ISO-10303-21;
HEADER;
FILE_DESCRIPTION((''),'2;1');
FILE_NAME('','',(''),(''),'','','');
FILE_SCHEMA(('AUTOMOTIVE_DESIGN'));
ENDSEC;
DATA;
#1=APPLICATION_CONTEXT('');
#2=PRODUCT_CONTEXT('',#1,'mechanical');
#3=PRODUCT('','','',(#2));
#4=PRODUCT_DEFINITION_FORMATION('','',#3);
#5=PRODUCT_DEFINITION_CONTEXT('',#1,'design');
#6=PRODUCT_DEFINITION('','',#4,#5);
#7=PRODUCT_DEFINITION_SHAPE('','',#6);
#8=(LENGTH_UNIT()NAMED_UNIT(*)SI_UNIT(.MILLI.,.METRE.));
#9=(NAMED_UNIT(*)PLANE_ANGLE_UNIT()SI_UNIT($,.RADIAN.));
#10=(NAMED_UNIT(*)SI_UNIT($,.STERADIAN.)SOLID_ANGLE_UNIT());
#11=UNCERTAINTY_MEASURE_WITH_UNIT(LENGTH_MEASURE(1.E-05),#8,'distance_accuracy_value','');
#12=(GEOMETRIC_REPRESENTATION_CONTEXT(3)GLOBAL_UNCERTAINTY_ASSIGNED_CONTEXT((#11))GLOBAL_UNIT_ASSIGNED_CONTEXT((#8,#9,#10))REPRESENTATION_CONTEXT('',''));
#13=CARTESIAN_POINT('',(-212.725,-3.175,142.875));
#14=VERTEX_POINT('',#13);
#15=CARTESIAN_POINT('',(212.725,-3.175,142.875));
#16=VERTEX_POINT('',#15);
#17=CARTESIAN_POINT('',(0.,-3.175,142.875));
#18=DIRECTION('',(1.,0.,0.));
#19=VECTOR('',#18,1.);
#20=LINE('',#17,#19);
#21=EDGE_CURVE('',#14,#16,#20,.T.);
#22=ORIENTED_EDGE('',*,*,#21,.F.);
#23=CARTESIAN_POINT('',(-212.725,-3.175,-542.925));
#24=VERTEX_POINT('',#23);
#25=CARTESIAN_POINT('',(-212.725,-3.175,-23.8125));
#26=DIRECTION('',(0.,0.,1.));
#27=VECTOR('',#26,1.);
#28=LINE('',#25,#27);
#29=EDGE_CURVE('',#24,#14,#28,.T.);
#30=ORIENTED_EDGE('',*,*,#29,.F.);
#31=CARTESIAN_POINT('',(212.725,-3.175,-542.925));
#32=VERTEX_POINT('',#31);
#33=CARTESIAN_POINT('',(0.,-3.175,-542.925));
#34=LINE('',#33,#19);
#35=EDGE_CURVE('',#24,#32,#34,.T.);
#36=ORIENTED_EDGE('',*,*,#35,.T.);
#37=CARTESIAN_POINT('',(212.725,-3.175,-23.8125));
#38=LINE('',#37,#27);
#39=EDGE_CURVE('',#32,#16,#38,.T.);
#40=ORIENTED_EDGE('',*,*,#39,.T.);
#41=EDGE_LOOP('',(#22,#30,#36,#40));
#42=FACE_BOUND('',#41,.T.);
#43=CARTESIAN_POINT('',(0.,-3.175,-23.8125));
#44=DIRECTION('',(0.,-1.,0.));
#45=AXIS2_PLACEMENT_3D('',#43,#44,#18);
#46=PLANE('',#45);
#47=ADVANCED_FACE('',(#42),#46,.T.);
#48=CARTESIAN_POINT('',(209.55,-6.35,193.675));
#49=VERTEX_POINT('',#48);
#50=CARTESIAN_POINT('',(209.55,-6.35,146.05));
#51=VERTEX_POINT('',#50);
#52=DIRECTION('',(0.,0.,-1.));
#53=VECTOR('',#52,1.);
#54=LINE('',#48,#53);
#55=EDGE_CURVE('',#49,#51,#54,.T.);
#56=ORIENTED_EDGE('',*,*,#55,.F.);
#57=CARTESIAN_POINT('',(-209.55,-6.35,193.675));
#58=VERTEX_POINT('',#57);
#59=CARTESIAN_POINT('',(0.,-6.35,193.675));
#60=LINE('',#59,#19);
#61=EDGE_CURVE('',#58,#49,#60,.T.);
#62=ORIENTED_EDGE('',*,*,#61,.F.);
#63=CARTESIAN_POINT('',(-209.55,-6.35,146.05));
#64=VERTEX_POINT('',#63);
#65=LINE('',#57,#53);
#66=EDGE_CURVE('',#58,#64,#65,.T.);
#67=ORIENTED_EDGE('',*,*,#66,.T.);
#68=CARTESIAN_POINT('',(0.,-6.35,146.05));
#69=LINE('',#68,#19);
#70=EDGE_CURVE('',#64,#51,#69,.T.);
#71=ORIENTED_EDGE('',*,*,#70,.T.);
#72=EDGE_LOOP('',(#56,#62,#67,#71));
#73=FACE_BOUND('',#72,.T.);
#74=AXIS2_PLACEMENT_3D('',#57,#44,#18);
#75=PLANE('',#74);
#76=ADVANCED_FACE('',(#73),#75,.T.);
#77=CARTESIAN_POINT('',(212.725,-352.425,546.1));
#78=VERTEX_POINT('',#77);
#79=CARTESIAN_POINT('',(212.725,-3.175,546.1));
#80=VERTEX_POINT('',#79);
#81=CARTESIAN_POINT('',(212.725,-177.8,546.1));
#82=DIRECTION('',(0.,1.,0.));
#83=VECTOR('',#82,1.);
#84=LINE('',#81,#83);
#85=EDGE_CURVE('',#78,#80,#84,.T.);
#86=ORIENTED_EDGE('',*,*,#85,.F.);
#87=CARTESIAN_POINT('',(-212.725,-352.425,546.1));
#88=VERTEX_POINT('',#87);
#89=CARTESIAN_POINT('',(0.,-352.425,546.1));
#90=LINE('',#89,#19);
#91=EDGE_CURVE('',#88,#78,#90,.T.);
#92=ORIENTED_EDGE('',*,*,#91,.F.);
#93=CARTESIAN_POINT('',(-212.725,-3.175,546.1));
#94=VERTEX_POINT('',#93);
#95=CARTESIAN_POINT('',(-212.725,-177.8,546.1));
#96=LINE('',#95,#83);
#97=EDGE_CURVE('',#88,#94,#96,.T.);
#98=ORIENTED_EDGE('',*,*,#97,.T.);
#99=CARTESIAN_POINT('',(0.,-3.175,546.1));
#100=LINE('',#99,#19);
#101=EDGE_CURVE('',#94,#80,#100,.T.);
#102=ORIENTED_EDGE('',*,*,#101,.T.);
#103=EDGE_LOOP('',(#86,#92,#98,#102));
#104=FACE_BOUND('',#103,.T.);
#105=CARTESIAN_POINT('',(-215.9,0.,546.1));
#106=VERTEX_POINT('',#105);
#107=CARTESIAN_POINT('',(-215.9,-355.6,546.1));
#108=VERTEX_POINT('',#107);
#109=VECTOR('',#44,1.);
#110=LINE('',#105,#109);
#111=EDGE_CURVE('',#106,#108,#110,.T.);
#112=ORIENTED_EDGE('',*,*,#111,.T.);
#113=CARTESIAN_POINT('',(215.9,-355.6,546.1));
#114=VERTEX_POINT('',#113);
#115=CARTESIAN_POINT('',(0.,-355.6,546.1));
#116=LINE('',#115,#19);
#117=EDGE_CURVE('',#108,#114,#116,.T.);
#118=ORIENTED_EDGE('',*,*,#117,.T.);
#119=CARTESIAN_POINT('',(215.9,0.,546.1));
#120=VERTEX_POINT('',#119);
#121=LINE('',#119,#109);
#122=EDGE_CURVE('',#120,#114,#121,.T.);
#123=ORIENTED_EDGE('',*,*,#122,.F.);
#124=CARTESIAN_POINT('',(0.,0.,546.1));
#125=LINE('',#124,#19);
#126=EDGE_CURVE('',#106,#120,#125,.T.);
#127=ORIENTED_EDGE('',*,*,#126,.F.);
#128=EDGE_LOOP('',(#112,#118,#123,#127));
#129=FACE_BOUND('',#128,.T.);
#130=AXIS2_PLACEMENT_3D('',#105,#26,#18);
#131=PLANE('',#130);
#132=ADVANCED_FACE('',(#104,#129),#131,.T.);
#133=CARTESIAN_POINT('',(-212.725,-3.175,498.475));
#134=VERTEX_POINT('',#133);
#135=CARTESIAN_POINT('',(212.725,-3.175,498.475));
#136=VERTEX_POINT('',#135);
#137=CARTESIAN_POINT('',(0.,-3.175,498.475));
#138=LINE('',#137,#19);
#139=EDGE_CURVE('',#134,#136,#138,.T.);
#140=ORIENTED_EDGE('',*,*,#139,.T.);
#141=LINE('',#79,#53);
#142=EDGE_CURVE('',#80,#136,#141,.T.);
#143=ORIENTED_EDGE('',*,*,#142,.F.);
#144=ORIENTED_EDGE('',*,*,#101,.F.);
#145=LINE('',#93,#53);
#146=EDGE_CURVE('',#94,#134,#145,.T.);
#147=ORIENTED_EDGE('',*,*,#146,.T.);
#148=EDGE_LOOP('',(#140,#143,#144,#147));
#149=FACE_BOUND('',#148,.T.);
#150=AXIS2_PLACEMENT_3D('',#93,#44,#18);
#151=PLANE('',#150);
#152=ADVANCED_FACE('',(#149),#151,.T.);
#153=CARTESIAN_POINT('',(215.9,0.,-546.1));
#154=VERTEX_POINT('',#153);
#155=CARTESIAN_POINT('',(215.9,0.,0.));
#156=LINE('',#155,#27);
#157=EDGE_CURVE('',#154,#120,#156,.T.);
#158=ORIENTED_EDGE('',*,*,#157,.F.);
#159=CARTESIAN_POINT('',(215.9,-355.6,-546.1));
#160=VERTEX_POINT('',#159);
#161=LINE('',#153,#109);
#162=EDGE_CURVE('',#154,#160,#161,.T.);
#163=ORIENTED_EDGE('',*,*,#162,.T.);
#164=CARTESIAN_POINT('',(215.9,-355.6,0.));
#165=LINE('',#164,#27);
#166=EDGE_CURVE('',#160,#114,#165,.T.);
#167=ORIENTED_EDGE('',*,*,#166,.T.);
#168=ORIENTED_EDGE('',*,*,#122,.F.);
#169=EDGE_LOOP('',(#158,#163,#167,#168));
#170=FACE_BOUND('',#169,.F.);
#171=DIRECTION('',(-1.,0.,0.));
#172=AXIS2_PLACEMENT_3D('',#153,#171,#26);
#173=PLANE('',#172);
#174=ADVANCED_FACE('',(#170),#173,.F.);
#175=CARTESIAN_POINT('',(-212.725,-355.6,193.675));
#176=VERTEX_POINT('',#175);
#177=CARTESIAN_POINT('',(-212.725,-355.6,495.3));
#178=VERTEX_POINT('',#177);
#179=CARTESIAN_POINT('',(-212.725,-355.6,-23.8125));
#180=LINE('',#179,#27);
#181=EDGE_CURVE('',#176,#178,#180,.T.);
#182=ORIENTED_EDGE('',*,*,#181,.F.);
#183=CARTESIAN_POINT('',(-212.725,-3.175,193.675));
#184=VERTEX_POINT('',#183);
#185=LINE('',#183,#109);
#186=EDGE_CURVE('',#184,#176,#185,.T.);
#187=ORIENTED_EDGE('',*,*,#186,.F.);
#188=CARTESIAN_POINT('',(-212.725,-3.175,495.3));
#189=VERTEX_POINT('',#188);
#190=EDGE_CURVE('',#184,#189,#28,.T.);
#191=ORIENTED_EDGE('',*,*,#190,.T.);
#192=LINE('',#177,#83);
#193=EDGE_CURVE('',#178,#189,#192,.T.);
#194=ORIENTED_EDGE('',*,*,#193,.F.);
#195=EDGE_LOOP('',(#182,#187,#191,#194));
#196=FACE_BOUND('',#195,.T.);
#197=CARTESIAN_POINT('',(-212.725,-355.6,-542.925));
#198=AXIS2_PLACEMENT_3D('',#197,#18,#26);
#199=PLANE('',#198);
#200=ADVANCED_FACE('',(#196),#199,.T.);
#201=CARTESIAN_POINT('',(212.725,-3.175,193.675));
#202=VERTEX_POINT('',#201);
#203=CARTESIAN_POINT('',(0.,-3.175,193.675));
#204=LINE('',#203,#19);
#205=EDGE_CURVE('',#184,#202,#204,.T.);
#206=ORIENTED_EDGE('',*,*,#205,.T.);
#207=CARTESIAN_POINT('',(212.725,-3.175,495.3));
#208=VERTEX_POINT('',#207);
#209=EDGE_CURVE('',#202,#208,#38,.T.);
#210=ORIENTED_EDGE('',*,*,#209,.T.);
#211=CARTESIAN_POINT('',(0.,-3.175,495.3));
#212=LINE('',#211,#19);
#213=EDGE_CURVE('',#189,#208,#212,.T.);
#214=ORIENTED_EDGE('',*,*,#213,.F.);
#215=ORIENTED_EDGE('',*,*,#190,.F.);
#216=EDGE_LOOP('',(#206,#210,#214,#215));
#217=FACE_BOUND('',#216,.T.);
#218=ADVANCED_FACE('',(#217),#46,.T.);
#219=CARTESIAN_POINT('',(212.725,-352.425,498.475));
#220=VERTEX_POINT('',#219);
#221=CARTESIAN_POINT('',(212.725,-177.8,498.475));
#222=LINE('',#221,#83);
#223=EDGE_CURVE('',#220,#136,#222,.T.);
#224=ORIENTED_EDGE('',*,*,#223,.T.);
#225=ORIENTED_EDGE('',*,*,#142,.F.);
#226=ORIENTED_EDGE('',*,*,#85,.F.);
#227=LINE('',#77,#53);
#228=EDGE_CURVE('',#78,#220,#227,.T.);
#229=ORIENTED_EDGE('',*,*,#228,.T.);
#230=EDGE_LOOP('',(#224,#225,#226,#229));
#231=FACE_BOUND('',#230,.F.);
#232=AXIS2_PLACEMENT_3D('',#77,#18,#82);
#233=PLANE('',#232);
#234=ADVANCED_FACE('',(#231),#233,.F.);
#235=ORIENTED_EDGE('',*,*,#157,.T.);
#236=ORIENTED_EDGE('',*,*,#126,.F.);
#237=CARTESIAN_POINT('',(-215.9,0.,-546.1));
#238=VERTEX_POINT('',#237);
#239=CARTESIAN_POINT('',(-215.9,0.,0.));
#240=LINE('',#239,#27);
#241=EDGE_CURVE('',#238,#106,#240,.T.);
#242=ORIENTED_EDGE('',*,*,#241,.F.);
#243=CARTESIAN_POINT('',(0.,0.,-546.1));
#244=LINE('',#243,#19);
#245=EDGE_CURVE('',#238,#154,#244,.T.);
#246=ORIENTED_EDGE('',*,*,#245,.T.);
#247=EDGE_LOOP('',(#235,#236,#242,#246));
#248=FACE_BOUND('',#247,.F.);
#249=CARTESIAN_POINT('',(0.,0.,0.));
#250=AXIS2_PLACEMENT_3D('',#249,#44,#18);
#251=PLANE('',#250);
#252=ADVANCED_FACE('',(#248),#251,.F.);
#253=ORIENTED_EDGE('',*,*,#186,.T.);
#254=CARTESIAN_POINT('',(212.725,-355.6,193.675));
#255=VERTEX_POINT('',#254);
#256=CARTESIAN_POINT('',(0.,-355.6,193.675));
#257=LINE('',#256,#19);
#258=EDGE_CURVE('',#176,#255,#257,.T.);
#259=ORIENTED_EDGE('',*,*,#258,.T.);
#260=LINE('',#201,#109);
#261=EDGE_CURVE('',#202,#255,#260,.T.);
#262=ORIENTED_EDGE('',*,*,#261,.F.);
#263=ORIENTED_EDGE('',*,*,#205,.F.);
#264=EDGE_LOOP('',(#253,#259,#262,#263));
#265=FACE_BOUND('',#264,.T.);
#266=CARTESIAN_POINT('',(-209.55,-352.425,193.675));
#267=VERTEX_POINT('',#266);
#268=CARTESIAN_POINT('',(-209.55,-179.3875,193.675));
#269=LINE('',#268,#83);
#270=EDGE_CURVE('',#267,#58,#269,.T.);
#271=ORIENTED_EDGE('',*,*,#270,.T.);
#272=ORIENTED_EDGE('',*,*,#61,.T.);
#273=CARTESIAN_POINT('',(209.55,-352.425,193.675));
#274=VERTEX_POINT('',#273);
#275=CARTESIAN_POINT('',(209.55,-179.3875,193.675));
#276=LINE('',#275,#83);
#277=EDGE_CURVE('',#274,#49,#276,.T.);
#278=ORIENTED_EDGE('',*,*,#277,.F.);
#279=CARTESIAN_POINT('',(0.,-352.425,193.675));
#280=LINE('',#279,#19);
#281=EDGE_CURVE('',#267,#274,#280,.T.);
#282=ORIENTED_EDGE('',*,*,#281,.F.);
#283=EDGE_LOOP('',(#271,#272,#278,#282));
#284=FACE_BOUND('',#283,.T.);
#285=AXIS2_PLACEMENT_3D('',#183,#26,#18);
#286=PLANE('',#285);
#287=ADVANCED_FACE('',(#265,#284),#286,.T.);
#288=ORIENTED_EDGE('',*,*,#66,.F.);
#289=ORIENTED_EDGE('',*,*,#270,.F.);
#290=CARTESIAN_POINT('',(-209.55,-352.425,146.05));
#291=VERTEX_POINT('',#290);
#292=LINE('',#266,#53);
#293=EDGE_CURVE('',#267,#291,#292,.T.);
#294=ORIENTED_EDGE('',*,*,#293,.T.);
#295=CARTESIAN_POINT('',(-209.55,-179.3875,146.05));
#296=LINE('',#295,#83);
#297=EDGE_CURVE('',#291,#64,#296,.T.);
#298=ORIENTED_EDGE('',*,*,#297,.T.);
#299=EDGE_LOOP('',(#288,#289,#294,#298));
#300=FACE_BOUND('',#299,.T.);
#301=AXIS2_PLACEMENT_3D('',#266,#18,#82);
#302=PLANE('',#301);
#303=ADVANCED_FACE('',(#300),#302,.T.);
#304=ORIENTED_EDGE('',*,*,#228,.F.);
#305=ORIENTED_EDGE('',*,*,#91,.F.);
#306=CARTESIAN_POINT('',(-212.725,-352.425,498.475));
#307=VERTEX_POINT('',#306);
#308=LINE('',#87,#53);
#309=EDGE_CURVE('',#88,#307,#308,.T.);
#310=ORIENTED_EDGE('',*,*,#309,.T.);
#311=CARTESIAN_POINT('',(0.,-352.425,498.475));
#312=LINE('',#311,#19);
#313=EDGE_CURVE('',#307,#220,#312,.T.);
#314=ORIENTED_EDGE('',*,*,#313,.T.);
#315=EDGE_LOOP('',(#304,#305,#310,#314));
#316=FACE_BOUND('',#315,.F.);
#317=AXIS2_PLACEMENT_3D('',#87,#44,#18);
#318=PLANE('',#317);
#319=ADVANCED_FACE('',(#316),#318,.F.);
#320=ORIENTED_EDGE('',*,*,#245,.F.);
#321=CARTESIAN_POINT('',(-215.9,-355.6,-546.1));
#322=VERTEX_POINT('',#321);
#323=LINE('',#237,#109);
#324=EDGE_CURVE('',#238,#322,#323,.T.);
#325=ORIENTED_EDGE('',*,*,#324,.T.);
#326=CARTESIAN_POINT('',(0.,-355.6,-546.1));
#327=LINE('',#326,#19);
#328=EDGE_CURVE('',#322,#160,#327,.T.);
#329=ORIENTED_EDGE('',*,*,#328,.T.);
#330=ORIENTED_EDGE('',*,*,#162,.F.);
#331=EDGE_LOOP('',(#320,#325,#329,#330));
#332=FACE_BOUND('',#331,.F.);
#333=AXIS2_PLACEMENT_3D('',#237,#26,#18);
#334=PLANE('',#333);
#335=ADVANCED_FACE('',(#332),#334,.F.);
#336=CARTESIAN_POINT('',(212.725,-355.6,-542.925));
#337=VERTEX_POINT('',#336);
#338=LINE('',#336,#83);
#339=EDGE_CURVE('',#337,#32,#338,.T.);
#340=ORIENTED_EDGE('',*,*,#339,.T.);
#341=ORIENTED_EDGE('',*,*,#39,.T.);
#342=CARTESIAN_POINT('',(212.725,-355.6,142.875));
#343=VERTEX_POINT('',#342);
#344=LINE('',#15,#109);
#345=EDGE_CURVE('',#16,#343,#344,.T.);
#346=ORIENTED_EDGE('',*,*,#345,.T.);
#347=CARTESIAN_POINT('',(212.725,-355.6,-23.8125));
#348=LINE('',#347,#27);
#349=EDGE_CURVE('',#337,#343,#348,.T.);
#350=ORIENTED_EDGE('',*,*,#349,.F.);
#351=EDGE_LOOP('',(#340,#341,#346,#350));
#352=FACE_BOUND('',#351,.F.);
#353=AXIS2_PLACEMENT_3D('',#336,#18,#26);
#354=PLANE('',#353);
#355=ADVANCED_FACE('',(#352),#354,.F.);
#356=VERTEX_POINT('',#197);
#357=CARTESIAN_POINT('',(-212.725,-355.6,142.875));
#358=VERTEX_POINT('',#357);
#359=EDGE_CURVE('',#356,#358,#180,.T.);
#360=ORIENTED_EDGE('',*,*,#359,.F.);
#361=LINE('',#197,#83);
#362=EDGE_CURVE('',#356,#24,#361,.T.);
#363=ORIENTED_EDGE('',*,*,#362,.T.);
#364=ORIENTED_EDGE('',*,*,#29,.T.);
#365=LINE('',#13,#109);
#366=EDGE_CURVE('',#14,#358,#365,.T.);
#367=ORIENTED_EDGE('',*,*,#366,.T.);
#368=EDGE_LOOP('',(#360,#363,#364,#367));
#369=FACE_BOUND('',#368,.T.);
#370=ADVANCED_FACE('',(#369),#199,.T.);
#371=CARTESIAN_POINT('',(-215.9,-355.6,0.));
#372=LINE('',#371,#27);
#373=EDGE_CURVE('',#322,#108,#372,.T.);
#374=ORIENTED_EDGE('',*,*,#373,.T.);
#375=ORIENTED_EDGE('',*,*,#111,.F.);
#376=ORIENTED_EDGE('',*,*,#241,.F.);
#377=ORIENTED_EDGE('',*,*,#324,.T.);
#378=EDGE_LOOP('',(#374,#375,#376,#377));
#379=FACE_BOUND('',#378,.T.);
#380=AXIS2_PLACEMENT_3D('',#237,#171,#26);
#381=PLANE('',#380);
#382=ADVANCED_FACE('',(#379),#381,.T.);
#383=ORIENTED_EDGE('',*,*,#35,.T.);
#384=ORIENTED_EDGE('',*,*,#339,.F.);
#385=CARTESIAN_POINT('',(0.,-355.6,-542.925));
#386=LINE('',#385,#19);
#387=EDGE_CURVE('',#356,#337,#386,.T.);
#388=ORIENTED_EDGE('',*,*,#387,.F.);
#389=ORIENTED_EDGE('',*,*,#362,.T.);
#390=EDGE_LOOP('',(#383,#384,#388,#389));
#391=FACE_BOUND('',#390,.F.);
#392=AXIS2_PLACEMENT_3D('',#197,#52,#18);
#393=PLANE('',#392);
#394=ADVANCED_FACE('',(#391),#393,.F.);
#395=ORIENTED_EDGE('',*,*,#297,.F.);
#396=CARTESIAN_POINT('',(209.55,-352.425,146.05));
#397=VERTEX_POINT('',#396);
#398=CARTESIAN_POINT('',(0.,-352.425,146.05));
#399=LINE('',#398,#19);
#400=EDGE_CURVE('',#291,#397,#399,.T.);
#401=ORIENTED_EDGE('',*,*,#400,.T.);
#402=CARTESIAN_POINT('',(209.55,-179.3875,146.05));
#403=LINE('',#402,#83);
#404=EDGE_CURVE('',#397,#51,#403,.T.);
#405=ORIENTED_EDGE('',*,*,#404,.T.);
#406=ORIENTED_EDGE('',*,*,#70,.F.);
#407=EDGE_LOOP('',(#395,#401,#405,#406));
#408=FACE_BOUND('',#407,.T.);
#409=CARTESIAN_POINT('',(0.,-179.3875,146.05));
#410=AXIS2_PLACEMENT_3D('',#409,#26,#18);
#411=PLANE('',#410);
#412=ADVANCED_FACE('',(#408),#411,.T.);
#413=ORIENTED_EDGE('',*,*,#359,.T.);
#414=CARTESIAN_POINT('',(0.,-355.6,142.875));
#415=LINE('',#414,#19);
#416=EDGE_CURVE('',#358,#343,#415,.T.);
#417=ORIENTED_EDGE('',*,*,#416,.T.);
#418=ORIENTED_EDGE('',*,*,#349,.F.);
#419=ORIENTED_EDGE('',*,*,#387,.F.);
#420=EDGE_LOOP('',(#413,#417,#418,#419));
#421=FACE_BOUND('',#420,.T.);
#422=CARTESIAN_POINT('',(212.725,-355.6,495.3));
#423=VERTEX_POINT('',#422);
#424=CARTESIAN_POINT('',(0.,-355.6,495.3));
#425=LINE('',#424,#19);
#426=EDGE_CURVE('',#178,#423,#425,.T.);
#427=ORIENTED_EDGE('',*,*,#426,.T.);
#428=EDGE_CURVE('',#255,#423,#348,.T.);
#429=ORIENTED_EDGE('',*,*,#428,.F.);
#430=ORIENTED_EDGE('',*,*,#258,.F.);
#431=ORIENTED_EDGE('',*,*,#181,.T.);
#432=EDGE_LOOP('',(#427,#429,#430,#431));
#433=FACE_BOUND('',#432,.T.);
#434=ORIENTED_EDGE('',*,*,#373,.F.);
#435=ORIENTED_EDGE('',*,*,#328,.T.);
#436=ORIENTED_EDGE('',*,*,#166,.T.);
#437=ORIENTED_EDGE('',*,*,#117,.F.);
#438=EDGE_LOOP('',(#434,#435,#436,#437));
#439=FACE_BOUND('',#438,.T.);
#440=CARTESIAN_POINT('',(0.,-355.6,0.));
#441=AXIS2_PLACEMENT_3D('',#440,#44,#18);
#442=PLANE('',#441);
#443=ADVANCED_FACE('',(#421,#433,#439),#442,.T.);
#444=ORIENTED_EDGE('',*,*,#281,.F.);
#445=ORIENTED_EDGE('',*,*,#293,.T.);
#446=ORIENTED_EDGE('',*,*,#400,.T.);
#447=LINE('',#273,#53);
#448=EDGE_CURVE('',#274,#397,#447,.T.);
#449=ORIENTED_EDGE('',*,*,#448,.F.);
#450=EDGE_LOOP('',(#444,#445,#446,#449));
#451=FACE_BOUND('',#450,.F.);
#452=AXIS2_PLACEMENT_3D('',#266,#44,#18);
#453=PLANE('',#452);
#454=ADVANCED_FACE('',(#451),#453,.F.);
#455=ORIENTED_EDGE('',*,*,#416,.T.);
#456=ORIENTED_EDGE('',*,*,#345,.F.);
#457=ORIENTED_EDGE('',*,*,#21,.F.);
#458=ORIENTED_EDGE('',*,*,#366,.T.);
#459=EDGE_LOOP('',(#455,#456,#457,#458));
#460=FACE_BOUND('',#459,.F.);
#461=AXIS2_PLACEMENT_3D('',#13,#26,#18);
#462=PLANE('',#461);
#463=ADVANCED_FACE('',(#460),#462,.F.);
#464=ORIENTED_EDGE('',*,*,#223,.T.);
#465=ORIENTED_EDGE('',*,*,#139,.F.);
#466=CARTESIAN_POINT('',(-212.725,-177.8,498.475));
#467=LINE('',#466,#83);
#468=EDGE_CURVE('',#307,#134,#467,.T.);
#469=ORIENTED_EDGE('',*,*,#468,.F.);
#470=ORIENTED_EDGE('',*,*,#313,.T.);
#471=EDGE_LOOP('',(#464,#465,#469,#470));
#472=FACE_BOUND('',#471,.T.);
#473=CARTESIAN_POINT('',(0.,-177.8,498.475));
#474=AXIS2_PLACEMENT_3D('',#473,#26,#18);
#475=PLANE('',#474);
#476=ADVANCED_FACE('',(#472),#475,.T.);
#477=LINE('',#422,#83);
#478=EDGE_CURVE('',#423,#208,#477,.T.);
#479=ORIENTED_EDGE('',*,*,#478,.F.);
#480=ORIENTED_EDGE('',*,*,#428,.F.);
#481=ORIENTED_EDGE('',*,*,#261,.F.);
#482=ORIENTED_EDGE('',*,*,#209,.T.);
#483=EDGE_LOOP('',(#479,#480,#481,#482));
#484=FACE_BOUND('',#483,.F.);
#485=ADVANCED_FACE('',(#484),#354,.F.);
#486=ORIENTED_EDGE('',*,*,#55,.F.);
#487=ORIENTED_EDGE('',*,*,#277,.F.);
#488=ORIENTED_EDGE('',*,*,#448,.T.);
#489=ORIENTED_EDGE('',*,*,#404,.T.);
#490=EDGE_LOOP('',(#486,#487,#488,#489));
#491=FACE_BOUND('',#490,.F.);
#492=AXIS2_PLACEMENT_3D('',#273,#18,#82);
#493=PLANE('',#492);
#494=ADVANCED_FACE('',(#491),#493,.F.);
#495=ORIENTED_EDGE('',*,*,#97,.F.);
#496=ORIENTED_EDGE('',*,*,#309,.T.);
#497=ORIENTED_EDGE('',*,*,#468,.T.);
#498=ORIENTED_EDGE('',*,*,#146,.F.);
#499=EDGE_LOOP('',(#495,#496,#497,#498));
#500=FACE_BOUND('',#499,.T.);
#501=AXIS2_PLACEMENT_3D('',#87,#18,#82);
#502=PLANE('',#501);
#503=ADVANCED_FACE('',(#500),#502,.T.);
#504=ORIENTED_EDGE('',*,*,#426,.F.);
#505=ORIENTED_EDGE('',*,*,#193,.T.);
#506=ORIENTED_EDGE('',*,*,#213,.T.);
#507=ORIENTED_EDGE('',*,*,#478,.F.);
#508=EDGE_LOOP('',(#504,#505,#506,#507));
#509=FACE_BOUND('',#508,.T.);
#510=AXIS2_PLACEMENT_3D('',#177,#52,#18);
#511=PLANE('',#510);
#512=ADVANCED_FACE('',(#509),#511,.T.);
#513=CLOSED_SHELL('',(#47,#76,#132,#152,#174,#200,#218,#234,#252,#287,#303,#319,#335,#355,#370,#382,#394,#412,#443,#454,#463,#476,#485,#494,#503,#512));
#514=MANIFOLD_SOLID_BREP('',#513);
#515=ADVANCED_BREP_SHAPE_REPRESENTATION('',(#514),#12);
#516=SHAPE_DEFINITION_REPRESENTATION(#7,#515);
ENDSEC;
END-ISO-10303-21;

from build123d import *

# Parameters (mm, degrees)
F0_W     = 431.8
F0_H     = 1092.2
F1_DEPTH = 355.6
F2_W     = 425.45
F2_H     = 1038.225
F3_DEPTH = 352.425
F4_W     = 425.45
F4_H     = 50.8
F5_DEPTH = 352.425
F6_W     = 419.1
F6_H     = 346.075
F7_DEPTH = 47.625
F8_W     = 425.45
F8_H     = 349.25
F9_DEPTH = 47.625


with BuildPart() as f1:
    # F0 (on Front) → F1 (new body)
    with BuildSketch(Plane.XZ):
        Rectangle(F0_W, F0_H)
    extrude(amount=F1_DEPTH)

    # F2 (on face) → F3 (cut)
    with BuildSketch(Plane.XZ.offset(355.6)):
        with Locations((0, -23.8125)):
            Rectangle(F2_W, F2_H)
    extrude(amount=-F3_DEPTH, mode=Mode.SUBTRACT)

    # F4 (on face) → F5 (join, through all)
    with BuildSketch(Plane.XZ.offset(3.175)):
        with Locations((0, 168.275)):
            Rectangle(F4_W, F4_H)
    extrude(amount=F5_DEPTH)

    # F6 (on face) → F7 (cut)
    with BuildSketch(Plane.XY.offset(193.675)):
        with Locations((0, -179.3875)):
            Rectangle(F6_W, F6_H)
    extrude(amount=-F7_DEPTH, mode=Mode.SUBTRACT)

    # F8 (on face) → F9 (cut)
    with BuildSketch(Plane.XY.offset(546.1)):
        with Locations((0, -177.8)):
            Rectangle(F8_W, F8_H)
    extrude(amount=-F9_DEPTH, mode=Mode.SUBTRACT)


solid = f1.part
